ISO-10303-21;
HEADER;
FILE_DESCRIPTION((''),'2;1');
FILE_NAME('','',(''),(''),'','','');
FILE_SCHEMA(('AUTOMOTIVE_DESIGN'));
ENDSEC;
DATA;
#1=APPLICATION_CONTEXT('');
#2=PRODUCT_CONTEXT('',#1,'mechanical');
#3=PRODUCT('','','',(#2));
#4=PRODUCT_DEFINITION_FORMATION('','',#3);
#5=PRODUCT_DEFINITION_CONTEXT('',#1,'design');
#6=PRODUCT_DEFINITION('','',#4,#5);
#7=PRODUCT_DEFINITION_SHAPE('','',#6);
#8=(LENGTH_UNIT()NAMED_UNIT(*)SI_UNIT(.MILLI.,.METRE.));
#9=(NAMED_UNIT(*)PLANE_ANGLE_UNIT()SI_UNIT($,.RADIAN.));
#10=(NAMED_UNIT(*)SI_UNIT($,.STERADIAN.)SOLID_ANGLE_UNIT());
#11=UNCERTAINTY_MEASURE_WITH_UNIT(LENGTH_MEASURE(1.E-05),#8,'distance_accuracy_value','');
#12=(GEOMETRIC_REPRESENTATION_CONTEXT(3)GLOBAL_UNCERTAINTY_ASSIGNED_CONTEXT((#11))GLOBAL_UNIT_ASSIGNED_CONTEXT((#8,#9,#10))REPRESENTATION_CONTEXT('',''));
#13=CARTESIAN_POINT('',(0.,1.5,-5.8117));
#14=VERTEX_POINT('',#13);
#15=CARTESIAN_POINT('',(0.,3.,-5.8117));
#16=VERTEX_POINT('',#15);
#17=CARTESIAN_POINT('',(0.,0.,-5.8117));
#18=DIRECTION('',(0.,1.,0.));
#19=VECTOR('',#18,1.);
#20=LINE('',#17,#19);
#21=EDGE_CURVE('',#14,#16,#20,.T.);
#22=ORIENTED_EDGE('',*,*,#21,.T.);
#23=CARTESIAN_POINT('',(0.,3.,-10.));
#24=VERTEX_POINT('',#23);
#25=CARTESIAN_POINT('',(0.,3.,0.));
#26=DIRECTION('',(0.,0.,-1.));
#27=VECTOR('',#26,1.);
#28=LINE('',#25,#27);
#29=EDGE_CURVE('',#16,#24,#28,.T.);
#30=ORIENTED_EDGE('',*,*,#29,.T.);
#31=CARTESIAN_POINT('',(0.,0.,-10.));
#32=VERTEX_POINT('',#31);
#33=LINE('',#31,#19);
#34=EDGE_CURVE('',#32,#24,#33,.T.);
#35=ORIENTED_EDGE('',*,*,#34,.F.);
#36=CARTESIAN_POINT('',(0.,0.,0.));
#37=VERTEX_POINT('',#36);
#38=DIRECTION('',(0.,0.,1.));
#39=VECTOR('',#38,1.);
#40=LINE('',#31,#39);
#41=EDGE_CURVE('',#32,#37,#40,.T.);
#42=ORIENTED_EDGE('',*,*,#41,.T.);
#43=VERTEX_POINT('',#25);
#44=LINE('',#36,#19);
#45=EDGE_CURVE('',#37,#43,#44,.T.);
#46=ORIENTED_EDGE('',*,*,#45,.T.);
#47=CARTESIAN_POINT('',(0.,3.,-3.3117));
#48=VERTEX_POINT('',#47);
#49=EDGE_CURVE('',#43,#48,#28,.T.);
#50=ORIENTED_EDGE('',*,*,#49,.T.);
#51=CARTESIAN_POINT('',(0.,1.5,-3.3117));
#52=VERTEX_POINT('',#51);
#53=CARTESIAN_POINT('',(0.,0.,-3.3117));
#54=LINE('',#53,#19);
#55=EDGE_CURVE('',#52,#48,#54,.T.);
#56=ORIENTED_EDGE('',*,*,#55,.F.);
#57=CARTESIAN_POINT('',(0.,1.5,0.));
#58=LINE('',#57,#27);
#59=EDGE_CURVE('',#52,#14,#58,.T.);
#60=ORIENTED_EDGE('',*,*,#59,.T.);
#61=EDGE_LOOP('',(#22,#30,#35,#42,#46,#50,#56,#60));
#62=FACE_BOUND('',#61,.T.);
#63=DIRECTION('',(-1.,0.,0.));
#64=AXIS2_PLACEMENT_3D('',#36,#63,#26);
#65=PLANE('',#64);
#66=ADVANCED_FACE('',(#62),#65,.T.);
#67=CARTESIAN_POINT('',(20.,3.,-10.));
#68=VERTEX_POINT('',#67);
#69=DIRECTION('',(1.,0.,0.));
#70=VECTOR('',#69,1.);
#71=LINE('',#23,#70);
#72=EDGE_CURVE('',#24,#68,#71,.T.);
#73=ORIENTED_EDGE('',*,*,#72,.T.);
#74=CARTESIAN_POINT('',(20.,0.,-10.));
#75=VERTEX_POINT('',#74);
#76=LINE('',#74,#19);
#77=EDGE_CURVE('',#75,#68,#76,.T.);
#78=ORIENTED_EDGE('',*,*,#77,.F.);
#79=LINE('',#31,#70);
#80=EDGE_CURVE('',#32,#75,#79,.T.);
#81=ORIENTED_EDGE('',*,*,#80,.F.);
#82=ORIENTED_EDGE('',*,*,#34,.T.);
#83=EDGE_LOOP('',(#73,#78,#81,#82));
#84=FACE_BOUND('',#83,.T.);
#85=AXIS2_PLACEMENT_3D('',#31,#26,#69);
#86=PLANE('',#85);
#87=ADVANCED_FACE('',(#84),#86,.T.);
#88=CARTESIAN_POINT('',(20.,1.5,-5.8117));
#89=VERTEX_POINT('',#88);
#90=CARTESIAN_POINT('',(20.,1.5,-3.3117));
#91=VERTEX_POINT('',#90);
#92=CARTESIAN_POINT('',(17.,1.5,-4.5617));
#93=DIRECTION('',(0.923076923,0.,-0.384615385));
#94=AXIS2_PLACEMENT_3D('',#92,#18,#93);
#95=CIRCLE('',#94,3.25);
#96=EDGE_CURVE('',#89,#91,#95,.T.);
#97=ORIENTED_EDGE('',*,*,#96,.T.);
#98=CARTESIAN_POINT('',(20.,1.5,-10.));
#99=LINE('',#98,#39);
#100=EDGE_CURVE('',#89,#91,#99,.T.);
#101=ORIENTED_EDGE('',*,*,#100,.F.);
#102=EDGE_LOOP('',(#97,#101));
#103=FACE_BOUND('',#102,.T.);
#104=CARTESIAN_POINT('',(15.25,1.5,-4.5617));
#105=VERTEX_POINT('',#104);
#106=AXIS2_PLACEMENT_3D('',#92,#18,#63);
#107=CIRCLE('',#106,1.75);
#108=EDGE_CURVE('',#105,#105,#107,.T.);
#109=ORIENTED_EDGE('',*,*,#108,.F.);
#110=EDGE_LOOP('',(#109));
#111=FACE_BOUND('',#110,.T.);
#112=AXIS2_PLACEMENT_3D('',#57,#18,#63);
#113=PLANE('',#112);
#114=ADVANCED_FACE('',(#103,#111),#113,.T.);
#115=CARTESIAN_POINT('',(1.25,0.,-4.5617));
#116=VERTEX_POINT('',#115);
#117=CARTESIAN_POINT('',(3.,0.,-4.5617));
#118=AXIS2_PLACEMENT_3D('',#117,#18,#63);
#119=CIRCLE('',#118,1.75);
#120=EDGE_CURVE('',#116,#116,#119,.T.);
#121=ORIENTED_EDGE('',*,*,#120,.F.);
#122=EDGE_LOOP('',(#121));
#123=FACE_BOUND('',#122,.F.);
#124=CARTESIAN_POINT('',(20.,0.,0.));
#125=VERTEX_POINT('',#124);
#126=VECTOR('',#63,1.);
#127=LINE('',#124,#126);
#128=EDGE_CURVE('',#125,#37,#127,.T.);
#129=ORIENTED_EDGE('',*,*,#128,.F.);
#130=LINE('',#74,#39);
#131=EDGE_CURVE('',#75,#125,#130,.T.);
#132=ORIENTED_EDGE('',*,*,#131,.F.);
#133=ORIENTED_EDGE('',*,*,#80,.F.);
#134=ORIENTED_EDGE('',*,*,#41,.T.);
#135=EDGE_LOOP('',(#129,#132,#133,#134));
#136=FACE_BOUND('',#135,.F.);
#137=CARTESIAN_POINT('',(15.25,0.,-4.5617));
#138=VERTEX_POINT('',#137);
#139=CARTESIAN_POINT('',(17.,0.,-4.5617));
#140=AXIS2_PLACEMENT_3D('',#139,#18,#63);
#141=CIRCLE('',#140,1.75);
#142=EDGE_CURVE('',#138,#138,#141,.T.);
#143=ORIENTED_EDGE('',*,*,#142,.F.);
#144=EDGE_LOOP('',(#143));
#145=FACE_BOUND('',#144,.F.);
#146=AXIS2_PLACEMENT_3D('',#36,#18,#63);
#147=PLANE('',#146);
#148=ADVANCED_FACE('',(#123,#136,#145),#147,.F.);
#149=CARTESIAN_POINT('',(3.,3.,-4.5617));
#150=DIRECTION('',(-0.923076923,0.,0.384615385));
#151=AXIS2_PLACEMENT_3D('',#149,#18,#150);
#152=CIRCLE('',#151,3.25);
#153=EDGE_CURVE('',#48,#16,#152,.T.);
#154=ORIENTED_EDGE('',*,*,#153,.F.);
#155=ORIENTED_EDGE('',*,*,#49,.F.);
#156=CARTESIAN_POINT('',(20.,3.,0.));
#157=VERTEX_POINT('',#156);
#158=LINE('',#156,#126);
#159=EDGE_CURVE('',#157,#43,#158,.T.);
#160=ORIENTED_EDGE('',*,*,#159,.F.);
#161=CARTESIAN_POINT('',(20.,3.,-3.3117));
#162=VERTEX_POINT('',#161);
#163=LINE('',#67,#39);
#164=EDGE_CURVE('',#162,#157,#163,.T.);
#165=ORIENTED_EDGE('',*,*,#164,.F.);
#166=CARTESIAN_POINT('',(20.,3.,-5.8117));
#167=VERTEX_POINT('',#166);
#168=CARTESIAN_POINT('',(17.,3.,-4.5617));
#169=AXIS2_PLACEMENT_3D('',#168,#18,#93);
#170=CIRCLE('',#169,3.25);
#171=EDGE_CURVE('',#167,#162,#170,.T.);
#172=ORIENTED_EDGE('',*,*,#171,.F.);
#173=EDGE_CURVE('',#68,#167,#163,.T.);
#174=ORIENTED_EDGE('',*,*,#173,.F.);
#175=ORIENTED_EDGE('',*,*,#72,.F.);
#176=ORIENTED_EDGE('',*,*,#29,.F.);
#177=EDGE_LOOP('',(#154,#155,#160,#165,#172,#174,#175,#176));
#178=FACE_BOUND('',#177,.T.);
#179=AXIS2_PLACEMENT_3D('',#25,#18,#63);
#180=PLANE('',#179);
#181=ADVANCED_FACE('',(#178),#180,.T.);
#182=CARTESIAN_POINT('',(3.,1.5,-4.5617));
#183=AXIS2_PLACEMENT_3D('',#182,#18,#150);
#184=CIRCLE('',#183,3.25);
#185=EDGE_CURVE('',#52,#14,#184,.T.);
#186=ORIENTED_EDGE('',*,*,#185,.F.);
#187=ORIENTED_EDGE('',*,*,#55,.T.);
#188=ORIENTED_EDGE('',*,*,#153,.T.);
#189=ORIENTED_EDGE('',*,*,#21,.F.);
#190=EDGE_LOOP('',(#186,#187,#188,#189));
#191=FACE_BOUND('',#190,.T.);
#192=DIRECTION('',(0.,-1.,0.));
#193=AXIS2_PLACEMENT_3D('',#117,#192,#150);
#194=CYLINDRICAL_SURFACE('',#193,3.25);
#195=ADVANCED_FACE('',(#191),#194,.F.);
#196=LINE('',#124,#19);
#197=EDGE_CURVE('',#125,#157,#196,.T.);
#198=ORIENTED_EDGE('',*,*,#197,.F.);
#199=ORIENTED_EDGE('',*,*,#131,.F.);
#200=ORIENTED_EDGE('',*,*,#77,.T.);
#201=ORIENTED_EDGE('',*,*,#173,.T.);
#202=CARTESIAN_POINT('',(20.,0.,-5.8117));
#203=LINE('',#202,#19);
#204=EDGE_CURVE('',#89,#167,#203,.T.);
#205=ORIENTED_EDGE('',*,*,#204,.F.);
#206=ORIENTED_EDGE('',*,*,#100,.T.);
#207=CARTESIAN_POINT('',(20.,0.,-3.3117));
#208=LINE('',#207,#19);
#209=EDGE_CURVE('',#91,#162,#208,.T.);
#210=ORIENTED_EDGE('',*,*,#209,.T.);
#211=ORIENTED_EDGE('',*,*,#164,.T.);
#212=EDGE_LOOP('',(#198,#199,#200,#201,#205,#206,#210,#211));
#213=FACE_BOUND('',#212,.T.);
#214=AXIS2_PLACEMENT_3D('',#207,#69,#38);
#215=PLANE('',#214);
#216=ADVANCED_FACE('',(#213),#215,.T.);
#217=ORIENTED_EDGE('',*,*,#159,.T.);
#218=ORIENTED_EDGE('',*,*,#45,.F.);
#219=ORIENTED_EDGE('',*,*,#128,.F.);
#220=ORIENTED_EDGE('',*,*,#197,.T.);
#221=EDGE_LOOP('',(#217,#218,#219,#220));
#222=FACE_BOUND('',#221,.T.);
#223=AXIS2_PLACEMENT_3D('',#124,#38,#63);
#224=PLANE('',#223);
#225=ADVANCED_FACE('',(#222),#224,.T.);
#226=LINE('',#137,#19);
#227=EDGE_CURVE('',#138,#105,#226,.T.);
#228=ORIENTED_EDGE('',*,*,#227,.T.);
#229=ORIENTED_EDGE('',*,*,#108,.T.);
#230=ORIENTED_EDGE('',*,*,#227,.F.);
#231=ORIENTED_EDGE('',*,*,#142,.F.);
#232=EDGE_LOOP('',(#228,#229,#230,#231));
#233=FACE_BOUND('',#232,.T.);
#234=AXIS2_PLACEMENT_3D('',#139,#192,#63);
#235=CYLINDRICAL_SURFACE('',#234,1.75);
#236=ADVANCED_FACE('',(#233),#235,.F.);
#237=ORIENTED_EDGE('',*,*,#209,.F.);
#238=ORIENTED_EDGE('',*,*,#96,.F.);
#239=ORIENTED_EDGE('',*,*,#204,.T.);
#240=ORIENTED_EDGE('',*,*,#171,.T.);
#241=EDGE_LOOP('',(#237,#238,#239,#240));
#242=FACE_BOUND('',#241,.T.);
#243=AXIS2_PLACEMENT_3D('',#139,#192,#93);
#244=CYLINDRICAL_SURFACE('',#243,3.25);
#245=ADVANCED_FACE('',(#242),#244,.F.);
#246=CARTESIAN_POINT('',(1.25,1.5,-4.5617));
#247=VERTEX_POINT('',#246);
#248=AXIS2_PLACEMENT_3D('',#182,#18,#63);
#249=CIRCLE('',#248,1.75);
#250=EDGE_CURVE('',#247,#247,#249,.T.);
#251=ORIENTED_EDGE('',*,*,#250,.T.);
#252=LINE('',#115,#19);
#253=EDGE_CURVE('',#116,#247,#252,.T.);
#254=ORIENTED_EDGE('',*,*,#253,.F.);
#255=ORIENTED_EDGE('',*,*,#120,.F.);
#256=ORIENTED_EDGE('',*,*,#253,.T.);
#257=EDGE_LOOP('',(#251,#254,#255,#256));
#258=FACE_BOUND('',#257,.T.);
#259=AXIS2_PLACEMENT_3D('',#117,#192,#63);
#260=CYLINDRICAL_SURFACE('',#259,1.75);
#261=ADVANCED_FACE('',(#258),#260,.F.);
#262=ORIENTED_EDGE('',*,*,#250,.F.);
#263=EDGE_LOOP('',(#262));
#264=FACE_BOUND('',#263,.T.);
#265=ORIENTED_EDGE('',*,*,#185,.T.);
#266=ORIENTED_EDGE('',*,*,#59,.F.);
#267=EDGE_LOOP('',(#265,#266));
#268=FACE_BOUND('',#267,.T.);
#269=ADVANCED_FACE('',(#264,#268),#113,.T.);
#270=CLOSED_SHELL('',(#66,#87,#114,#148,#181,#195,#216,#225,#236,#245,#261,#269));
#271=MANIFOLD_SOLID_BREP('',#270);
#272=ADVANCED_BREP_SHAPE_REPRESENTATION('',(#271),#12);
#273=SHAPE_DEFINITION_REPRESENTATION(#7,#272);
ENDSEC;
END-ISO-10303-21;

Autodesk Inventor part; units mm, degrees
ref_plane "YZ Plane" through (0, 0, 0) normal (1, 0, 0) x (0, 1, 0)
ref_plane "XZ Plane" through (0, 0, 0) normal (0, 1, 0) x (-1, 0, 0)
ref_plane "XY Plane" through (0, 0, 0) normal (0, 0, 1) x (1, 0, 0)
sketch "Sketch1" plane through (0, 0, 0) normal (0, 1, 0) x (-1, 0, 0)
  line L0 (0, 0) -> (0, -10)
  line L1 (0, -10) -> (-20, -10)
  line L2 (-20, -10) -> (-20, 0)
  line L3 (-20, 0) -> (0, 0)
  arc A0 (0, -3.3117) -> (0, -5.8117) centre (-3, -4.5617) ccw
  arc A1 (-20, -5.8117) -> (-20, -3.3117) centre (-17, -4.5617) ccw
  line L4 (-10, 0) -> (-10, -10) construction
  circle A2 centre (-3, -4.5617) radius 1.75
  circle A3 centre (-17, -4.5617) radius 1.75
  dimension "d2" = 10
  dimension "d3" = 20
  dimension "d5" = 6.5
  dimension "d8" = 7
  dimension "d9" = 7
  dimension "d11" = 3.5
  dimension "d12" = 3.5
  dimension "d13" = 10
  dimension "d14" = 3.3117
  dimension "d15" = 4.5617
extrude "Extrusion1" add sketch "Sketch1" along normal blind 1.5 contours L0 A0 | A1 L2
extrude "Extrusion2" add sketch "Sketch1" along normal blind 3 contours L0 A0 L1 L2 A1 L3
properties part number "reverse gear bearing keeper"
